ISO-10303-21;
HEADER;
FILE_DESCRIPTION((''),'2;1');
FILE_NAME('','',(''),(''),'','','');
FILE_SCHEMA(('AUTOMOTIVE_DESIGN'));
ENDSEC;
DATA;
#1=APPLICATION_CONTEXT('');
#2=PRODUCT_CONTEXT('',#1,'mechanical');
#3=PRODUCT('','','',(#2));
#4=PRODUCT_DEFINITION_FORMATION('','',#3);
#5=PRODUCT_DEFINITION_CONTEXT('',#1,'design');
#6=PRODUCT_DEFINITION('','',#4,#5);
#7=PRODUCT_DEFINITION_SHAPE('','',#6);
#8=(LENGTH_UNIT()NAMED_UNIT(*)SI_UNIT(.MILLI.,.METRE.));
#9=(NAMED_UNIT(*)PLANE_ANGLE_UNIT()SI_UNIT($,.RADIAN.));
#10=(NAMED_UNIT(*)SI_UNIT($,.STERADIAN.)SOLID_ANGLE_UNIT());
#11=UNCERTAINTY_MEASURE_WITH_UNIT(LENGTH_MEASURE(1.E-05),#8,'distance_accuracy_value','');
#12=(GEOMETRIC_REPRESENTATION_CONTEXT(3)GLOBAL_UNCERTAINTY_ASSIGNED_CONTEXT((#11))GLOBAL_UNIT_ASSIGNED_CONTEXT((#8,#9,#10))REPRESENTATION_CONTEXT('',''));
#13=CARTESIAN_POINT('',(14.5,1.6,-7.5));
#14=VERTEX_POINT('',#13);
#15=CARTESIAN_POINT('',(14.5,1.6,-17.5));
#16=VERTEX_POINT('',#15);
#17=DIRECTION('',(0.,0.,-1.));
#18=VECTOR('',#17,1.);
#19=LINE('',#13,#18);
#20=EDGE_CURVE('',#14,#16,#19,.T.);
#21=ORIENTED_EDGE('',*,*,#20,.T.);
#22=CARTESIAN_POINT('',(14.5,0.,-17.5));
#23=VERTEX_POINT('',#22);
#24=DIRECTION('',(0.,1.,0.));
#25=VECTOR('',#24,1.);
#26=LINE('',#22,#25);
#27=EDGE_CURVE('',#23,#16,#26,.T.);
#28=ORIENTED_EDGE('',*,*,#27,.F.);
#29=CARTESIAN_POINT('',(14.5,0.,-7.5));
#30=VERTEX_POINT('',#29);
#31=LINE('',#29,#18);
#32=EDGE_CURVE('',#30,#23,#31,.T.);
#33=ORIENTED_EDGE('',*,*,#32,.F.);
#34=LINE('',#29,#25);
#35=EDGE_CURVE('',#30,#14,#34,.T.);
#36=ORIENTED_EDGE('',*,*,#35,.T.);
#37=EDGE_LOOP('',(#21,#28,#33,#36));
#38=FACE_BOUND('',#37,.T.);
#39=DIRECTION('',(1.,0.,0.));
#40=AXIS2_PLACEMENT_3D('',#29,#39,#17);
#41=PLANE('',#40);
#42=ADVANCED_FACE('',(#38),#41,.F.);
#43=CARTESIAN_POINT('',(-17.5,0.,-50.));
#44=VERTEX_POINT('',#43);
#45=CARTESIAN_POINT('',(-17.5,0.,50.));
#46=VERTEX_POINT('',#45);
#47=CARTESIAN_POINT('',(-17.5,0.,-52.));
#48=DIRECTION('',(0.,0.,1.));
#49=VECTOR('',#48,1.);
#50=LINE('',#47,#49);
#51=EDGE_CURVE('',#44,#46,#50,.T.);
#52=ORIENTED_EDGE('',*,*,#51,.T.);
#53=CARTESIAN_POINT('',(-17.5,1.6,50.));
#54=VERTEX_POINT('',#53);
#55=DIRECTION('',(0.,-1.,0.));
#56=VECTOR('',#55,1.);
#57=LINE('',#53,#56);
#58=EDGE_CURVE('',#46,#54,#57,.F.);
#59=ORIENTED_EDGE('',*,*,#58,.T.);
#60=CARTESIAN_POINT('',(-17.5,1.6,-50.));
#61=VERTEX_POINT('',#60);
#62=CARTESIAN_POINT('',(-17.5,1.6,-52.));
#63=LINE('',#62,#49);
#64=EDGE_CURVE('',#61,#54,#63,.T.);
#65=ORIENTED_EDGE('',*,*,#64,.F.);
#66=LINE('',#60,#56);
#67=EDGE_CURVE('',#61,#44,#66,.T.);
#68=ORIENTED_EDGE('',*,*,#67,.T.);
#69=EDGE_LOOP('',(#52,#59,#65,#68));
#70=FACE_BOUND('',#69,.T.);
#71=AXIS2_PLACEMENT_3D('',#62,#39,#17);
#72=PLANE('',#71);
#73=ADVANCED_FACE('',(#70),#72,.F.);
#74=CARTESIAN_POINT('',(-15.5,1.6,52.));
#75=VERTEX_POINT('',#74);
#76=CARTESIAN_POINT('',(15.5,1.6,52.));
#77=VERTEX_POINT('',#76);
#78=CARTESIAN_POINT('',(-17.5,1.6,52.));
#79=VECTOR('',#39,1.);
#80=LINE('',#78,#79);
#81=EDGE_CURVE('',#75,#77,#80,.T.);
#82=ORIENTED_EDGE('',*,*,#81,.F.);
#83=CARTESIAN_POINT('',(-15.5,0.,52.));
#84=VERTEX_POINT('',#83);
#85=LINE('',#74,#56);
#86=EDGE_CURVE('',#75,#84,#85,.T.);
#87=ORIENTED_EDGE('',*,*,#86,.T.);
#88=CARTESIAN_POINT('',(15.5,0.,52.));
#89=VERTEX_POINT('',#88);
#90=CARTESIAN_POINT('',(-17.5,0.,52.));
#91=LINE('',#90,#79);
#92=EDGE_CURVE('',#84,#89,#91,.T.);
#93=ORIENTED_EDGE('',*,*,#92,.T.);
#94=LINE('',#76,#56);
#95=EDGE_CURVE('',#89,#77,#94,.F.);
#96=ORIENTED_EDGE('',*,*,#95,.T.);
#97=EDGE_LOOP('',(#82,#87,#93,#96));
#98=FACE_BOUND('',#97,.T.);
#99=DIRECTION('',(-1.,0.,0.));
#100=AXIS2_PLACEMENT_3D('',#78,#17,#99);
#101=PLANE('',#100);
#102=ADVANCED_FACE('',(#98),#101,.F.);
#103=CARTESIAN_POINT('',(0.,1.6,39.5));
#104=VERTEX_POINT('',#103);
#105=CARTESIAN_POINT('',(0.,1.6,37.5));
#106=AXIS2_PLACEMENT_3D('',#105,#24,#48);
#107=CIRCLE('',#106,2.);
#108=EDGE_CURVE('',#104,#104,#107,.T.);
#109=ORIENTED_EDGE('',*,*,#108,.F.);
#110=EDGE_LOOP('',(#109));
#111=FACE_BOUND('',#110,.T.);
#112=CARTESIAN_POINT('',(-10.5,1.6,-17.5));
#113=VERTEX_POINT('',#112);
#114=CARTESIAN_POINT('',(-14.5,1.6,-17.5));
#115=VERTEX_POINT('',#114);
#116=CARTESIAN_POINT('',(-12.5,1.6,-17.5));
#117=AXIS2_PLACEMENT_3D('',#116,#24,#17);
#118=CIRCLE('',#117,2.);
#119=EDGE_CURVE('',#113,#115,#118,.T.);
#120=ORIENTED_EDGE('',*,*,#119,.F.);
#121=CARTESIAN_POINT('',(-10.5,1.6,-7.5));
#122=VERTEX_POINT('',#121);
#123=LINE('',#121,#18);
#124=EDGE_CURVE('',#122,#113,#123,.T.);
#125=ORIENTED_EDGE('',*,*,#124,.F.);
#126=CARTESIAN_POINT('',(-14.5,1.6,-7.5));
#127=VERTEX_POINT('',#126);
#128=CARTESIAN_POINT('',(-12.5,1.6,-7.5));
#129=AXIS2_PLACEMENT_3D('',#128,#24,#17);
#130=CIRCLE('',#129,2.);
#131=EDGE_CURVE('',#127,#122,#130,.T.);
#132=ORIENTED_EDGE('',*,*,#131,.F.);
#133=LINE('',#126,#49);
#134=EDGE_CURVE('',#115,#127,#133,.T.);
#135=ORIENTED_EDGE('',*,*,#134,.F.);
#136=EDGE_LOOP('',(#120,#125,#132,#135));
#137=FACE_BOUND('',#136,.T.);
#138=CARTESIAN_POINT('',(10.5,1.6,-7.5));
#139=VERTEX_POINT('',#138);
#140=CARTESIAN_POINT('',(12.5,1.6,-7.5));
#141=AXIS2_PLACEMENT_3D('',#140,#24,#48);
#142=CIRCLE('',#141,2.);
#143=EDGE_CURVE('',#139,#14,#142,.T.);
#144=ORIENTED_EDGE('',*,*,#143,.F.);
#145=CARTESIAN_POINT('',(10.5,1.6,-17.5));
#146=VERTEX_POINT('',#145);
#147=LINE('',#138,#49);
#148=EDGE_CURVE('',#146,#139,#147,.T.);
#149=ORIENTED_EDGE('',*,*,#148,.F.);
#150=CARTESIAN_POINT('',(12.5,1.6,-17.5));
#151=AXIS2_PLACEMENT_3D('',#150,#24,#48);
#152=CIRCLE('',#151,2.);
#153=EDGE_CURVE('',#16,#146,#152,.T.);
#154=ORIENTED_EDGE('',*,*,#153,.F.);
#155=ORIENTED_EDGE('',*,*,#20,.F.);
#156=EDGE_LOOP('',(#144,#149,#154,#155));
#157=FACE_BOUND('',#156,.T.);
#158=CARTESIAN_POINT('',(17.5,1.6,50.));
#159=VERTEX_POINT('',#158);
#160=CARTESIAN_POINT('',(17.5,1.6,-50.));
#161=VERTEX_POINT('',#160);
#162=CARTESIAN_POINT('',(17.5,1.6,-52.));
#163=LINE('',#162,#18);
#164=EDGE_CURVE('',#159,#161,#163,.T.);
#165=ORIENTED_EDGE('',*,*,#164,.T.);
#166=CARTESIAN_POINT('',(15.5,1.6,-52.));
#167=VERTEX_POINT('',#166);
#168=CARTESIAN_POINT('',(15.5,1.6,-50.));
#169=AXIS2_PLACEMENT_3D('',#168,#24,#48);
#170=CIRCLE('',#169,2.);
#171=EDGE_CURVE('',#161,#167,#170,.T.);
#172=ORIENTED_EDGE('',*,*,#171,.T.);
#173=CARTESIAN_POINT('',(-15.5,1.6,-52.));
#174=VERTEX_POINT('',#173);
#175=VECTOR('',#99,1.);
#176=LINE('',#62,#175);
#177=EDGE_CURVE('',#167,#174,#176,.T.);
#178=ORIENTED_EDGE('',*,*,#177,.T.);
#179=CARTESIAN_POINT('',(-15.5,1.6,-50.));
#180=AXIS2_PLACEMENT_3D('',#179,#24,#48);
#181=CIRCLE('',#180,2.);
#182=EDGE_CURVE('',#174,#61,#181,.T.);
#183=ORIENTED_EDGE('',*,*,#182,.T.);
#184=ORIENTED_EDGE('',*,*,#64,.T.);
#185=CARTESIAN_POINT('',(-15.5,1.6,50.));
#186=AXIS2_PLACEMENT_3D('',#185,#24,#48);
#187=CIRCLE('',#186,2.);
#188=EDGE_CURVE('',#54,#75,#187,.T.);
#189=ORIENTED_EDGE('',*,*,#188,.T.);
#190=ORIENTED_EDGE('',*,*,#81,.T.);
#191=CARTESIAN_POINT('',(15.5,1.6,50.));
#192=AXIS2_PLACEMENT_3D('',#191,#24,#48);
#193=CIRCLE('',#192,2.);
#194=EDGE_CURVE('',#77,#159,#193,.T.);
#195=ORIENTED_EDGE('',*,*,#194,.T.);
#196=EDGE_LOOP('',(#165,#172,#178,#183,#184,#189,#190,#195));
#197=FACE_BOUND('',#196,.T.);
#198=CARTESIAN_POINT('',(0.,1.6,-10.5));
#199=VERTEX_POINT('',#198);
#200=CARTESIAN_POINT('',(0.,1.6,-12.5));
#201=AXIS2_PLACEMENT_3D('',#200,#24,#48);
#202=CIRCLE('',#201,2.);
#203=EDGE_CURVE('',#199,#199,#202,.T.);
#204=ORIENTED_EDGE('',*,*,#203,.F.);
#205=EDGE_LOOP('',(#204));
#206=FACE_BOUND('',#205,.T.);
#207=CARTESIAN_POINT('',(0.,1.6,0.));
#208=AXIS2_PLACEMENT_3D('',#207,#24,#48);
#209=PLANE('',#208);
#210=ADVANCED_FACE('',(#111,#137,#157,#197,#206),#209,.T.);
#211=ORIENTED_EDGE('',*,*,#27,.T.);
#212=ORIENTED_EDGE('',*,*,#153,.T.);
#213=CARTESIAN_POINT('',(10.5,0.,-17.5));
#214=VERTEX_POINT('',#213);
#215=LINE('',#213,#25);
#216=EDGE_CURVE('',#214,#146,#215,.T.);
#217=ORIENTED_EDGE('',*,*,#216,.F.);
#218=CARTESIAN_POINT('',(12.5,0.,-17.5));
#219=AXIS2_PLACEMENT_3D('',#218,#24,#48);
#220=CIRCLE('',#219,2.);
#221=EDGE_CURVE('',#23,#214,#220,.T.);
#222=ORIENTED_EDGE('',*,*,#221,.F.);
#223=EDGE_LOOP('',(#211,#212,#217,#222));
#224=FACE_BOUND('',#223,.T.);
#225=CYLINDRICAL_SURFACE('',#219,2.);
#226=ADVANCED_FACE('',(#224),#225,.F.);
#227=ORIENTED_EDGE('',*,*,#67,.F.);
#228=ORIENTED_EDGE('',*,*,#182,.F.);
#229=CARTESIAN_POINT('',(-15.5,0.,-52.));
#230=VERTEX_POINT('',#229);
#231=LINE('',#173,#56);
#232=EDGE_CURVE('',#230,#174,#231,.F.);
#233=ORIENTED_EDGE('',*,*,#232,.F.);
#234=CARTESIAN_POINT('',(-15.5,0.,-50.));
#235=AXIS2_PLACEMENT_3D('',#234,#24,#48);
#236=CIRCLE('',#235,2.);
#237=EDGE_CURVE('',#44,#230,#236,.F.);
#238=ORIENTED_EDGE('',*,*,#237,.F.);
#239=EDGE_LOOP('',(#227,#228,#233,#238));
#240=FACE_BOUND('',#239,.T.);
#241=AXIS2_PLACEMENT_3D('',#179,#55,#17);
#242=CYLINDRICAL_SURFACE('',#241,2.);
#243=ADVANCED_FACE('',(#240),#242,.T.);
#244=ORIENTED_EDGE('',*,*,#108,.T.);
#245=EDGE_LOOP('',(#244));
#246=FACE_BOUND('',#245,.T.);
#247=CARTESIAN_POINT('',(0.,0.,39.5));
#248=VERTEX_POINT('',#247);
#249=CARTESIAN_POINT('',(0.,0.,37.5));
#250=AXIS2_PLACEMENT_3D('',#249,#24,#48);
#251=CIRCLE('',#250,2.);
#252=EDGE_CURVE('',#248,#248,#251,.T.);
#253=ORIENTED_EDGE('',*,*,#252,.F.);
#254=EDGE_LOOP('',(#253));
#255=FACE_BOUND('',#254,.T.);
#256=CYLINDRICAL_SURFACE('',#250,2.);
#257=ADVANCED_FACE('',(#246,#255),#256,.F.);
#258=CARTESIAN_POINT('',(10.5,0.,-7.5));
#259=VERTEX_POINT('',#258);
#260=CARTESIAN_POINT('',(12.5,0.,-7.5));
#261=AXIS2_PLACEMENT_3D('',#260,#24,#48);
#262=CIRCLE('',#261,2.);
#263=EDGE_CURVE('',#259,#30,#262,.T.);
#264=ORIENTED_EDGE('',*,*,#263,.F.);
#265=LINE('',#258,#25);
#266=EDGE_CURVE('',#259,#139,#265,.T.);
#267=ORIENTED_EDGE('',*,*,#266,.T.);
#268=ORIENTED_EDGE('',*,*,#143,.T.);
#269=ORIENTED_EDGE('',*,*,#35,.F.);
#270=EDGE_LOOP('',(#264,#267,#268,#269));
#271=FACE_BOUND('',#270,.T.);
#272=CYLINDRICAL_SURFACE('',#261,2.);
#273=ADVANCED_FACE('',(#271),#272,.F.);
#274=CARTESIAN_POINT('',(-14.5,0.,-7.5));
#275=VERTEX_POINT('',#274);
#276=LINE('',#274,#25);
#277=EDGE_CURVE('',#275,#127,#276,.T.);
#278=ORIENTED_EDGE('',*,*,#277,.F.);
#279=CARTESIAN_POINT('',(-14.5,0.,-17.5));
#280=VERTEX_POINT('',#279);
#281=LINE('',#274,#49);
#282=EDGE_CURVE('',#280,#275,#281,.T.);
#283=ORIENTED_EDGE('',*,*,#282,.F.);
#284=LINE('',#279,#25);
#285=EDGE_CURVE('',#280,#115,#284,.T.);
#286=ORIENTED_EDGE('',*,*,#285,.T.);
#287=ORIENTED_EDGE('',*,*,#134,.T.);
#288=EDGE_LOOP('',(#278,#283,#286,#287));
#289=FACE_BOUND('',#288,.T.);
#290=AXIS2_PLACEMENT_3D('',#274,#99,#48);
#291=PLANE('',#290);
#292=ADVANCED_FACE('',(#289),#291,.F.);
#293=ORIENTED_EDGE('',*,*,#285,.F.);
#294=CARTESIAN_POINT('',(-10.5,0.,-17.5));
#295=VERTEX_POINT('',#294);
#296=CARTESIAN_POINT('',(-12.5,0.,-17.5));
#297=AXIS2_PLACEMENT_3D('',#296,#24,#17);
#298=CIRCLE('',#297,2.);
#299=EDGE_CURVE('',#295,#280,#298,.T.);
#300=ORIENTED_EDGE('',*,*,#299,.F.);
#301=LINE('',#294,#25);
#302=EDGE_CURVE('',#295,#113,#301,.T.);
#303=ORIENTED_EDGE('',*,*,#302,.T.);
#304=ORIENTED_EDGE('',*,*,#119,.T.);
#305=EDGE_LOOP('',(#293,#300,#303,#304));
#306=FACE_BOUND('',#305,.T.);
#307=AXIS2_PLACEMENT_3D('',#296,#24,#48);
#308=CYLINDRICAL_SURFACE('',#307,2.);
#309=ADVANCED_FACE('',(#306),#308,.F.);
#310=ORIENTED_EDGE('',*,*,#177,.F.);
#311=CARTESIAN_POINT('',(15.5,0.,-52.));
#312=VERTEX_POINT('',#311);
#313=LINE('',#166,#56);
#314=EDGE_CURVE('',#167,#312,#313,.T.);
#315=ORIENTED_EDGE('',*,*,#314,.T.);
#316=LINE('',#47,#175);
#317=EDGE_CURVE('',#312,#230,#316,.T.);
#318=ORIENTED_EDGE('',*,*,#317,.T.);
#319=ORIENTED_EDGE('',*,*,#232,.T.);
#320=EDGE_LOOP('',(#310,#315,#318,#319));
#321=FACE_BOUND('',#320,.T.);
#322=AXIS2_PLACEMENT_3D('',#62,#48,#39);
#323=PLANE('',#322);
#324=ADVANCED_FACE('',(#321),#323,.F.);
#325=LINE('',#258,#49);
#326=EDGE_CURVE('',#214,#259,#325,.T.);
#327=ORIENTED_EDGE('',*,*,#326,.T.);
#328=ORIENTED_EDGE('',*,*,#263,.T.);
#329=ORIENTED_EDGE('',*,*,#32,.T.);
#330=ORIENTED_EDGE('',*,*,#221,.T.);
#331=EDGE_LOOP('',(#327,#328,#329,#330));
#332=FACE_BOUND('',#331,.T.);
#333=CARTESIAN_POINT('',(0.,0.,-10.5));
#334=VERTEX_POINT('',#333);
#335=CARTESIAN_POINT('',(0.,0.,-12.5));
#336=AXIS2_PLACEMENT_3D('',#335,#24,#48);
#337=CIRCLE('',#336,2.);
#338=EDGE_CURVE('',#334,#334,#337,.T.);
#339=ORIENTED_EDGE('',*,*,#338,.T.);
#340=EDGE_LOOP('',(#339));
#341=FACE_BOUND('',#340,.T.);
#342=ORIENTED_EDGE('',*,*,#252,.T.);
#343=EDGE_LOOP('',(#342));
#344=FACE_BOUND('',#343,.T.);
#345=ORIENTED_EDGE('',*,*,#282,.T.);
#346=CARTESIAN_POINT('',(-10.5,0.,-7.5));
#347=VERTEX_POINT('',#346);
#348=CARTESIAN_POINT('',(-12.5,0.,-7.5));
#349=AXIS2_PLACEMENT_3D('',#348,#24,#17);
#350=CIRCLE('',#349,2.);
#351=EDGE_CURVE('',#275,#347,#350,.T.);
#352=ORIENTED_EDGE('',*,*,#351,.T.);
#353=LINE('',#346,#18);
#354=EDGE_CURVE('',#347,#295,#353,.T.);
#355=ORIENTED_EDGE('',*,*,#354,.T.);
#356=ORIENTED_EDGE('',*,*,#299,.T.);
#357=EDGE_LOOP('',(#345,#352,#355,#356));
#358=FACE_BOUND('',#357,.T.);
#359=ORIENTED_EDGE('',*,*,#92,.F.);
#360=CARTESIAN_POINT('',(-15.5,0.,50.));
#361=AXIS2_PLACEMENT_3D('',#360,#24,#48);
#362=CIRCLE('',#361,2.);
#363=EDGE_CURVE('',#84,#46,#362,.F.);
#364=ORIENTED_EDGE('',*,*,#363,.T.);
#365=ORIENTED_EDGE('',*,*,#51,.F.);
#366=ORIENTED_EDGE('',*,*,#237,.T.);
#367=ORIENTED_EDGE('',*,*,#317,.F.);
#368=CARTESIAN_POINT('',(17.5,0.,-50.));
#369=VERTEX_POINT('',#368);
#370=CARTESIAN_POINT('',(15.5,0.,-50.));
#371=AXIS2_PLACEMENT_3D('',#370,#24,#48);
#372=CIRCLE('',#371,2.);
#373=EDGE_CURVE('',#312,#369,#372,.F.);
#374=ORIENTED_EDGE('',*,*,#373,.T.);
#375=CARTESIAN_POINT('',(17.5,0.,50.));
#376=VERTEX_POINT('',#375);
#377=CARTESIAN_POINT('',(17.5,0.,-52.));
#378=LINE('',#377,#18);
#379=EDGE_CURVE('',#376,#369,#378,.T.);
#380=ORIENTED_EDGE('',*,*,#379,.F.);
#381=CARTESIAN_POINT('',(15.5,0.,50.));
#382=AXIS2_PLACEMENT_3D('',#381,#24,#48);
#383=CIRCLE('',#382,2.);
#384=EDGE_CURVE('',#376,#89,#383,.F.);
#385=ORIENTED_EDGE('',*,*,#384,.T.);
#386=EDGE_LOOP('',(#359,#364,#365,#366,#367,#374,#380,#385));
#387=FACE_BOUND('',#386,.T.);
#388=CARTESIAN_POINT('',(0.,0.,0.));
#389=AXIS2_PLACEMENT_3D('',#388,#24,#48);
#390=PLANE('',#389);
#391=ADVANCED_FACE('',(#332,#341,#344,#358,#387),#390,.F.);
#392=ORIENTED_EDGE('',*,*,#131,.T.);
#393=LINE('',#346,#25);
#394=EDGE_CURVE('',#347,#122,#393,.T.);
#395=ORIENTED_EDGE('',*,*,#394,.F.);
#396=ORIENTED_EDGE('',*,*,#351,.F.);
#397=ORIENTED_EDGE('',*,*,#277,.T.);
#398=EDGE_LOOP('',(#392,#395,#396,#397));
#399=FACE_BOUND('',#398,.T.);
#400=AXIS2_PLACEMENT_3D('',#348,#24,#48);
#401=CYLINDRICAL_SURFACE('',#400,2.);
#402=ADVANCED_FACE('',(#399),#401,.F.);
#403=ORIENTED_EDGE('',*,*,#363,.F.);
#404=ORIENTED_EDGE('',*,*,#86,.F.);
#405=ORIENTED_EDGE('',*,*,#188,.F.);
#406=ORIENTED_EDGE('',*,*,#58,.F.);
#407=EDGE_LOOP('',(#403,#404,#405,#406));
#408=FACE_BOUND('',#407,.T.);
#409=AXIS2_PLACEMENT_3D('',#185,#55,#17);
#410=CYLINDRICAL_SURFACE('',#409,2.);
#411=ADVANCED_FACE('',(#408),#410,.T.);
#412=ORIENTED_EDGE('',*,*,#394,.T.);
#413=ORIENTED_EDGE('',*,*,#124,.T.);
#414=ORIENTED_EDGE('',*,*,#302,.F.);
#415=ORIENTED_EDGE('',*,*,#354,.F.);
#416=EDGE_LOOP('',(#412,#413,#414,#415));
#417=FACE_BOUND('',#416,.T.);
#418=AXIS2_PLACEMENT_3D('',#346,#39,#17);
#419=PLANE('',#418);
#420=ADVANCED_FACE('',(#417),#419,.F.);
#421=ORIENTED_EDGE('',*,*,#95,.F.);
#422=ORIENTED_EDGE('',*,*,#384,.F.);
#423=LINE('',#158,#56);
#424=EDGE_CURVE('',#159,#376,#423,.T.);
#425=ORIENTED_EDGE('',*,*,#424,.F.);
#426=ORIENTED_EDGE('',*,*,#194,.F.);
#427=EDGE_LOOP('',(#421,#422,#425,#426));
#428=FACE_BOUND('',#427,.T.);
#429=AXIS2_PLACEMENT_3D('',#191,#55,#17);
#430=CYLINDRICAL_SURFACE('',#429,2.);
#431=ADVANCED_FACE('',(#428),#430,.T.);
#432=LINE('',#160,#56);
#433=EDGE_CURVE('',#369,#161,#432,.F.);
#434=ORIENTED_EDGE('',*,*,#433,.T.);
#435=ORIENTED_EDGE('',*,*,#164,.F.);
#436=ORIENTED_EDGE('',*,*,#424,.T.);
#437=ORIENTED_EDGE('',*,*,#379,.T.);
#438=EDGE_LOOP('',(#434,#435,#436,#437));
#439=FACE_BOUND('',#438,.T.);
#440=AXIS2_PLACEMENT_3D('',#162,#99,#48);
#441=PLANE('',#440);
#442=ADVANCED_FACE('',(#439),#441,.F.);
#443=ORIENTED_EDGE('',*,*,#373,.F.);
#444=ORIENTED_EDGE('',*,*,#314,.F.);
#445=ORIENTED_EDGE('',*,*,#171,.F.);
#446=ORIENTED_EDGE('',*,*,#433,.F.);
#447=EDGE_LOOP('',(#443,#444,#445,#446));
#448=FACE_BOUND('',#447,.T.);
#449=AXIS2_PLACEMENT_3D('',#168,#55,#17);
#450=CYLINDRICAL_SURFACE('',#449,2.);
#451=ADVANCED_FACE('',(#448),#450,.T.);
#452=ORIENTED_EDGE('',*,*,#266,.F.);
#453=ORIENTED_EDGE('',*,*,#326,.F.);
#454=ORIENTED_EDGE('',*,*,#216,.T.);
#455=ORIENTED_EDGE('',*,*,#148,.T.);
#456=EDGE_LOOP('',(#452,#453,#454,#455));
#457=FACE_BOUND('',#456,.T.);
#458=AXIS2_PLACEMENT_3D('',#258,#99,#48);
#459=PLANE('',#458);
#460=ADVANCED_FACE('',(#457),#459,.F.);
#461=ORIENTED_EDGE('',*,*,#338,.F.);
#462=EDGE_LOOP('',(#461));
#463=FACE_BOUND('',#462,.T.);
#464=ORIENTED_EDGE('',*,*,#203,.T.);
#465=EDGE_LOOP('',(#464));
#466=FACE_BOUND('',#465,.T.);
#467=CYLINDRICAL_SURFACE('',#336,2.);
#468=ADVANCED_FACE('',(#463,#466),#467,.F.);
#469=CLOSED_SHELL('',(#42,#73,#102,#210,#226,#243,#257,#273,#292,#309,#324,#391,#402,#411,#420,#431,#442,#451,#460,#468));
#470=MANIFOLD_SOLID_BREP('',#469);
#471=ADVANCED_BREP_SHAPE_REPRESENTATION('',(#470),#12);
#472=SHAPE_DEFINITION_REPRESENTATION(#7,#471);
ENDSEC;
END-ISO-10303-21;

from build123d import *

# Parameters (mm, degrees)
SKETCH_1_W          = 35
SKETCH_1_H          = 104
EXTRUDE_1_DEPTH     = 1.6
SKETCH_3_R          = 2
CUT_EXTRUDE_1_DEPTH = 55.88906995
CUT_EXTRUDE_2_DEPTH = 55.88906995
FILLET_1_R          = 2


with BuildPart() as part:
    # 草图1 → 凸台-拉伸1 (new body)
    with BuildSketch(Plane(origin=(0, 0, 0), x_dir=(1, 0, 0), z_dir=(0, 1, 0))):
        Rectangle(SKETCH_1_W, SKETCH_1_H)
    extrude(amount=EXTRUDE_1_DEPTH)

    # 草图3 → 切除-拉伸1 (cut, through all)
    with BuildSketch(Plane(origin=(0, 1.6, 0), x_dir=(1, 0, 0), z_dir=(0, 1, 0))):
        with Locations(Location((0, 12.5, 0), (0, 0, 270))):
            Circle(SKETCH_3_R)
        with Locations(Location((0, -37.5, 0), (0, 0, 270))):
            Circle(SKETCH_3_R)
    extrude(amount=-CUT_EXTRUDE_1_DEPTH, mode=Mode.SUBTRACT)

    # 草图4 → 切除-拉伸2 (cut, through all)
    with BuildSketch(Plane(origin=(0, 1.6, 0), x_dir=(1, 0, 0), z_dir=(0, 1, 0))):
        with BuildLine():
            Line((10.5, 7.5), (10.5, 17.5))
            ThreePointArc((10.5, 17.5), (12.5, 19.5), (14.5, 17.5))
            Line((14.5, 17.5), (14.5, 7.5))
            ThreePointArc((14.5, 7.5), (12.5, 5.5), (10.5, 7.5))
        make_face()
        with BuildLine():
            Line((-10.5, 7.5), (-10.5, 17.5))
            ThreePointArc((-10.5, 17.5), (-12.5, 19.5), (-14.5, 17.5))
            Line((-14.5, 17.5), (-14.5, 7.5))
            ThreePointArc((-14.5, 7.5), (-12.5, 5.5), (-10.5, 7.5))
        make_face()
    extrude(amount=-CUT_EXTRUDE_2_DEPTH, mode=Mode.SUBTRACT)

    # 圆角1
    fillet_1_edges = [part.edges().sort_by_distance(p)[0] for p in [
        (17.5, 0.8, 52),
        (-17.5, 0.8, 52),
        (-17.5, 0.8, -52),
        (17.5, 0.8, -52),
    ]]
    fillet(fillet_1_edges, radius=FILLET_1_R)


solid = part.part
